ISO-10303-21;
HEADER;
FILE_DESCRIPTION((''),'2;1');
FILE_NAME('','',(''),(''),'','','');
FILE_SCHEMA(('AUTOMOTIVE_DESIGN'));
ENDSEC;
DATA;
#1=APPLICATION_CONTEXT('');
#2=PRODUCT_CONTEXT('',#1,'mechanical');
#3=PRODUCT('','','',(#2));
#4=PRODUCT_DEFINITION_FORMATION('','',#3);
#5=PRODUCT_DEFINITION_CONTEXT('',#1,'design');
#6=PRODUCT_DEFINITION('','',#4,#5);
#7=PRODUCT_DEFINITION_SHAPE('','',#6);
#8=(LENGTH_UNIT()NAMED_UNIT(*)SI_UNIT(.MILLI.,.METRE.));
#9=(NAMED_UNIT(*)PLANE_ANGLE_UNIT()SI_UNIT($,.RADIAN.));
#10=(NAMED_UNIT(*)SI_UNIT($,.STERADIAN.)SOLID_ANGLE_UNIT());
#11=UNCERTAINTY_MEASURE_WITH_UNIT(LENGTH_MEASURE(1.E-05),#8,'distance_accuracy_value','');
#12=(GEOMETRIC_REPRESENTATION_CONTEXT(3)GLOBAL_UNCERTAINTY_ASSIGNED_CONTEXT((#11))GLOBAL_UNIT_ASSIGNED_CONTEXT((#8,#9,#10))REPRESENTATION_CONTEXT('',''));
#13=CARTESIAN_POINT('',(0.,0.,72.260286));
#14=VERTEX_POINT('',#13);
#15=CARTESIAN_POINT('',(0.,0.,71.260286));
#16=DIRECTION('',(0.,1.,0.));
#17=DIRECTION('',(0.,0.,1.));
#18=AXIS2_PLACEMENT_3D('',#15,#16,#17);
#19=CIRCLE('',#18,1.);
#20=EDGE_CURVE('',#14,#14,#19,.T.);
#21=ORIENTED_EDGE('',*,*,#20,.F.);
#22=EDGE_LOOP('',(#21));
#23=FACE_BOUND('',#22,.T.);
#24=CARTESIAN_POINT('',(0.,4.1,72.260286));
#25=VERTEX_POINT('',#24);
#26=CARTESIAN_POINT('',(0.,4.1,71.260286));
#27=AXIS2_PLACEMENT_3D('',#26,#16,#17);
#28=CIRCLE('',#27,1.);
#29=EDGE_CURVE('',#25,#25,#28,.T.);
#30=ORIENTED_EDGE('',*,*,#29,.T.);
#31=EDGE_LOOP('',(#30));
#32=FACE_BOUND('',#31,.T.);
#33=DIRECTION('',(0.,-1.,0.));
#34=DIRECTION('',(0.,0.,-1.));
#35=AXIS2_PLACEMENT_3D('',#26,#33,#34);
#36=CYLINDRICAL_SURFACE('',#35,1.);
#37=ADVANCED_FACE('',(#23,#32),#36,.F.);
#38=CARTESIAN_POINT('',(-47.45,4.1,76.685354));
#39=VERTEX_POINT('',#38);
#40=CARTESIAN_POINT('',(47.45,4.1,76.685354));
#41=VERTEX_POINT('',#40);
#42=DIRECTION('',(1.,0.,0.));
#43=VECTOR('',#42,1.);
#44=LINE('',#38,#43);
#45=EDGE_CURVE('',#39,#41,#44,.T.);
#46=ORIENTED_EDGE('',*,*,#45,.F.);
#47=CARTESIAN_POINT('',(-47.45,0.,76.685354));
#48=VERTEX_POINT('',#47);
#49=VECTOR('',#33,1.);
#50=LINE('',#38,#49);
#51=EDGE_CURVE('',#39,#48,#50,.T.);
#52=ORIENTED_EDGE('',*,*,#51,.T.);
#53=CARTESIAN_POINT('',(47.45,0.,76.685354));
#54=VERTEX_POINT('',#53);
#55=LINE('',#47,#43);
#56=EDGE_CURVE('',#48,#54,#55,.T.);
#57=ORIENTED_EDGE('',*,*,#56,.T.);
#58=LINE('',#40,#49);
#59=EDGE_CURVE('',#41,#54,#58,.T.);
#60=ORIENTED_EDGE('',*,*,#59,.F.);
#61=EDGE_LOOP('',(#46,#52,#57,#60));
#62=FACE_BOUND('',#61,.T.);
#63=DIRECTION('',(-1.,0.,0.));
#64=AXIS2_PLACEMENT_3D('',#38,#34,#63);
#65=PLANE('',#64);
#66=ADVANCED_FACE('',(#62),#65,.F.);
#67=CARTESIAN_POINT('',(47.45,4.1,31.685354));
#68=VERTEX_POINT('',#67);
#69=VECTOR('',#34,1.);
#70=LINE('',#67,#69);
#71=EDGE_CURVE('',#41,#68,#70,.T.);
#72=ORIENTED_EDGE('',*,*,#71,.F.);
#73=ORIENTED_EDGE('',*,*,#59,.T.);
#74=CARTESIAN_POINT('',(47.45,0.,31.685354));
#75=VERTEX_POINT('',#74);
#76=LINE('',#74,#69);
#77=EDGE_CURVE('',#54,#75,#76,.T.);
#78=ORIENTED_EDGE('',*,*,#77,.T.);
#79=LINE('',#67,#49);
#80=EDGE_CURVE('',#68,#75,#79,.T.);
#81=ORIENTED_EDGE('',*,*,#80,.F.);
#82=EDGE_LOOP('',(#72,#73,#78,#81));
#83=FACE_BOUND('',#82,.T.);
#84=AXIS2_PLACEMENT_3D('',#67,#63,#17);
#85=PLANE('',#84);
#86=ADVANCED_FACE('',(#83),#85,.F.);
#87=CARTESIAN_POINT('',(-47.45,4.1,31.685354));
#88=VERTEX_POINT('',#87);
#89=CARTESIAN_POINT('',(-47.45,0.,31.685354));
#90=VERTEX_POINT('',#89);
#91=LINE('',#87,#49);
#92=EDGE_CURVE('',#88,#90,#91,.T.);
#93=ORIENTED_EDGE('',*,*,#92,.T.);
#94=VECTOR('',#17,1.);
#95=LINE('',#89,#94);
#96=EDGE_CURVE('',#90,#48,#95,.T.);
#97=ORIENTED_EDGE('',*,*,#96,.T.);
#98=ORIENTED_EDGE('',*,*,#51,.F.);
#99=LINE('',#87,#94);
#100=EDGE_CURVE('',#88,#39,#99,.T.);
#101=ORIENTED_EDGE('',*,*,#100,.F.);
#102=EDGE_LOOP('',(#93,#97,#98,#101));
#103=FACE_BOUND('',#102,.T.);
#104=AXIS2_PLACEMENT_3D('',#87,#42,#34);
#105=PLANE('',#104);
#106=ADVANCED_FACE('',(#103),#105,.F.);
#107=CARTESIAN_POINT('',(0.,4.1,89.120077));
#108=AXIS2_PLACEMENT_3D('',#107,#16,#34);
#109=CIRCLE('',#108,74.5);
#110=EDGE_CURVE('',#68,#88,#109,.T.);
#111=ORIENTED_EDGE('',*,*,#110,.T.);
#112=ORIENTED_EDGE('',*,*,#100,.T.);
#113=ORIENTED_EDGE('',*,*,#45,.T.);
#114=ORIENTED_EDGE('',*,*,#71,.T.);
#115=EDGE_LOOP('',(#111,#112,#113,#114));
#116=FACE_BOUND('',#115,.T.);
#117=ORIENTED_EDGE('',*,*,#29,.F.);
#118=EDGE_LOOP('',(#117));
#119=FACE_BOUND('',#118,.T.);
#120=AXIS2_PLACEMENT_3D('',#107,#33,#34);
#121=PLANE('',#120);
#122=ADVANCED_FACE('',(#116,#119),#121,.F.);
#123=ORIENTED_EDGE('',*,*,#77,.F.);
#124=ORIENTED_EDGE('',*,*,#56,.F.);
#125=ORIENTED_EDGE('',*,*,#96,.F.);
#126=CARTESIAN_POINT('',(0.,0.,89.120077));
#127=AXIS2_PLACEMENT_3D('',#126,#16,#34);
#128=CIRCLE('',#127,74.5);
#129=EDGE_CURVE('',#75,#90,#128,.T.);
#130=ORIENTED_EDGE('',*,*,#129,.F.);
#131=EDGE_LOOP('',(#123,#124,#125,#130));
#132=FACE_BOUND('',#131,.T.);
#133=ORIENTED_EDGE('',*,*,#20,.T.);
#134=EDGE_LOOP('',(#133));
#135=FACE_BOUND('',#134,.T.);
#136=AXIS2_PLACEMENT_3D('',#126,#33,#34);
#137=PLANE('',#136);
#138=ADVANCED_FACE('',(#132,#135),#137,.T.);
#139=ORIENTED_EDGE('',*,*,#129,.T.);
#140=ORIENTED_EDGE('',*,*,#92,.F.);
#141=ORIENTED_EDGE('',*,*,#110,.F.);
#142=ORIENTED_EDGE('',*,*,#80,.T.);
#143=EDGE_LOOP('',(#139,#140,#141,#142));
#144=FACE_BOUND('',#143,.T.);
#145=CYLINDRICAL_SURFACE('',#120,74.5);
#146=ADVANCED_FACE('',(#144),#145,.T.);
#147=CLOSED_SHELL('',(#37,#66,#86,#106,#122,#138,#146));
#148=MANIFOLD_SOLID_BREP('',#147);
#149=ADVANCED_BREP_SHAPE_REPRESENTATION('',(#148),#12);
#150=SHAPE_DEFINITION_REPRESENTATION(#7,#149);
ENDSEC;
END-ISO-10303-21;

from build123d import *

# Parameters (mm, degrees)
SKETCH1_R           = 1
BOSS_EXTRUDE1_DEPTH = 4.1


with BuildPart() as part:
    # Sketch1 → Boss-Extrude1 (new body)
    with BuildSketch(Plane(origin=(0, 0, 0), x_dir=(1, 0, 0), z_dir=(0, 1, 0))):
        with BuildLine():
            Line((-47.45, -31.685353535), (-47.45, -76.685353535))
            Line((-47.45, -76.685353535), (47.45, -76.685353535))
            Line((47.45, -76.685353535), (47.45, -31.685353535))
            ThreePointArc((47.45, -31.685353535), (0, -14.620077353), (-47.45, -31.685353535))
        make_face()
        with Locations((0, -71.260285785)):
            Circle(SKETCH1_R, mode=Mode.SUBTRACT)
    extrude(amount=BOSS_EXTRUDE1_DEPTH)


solid = part.part
